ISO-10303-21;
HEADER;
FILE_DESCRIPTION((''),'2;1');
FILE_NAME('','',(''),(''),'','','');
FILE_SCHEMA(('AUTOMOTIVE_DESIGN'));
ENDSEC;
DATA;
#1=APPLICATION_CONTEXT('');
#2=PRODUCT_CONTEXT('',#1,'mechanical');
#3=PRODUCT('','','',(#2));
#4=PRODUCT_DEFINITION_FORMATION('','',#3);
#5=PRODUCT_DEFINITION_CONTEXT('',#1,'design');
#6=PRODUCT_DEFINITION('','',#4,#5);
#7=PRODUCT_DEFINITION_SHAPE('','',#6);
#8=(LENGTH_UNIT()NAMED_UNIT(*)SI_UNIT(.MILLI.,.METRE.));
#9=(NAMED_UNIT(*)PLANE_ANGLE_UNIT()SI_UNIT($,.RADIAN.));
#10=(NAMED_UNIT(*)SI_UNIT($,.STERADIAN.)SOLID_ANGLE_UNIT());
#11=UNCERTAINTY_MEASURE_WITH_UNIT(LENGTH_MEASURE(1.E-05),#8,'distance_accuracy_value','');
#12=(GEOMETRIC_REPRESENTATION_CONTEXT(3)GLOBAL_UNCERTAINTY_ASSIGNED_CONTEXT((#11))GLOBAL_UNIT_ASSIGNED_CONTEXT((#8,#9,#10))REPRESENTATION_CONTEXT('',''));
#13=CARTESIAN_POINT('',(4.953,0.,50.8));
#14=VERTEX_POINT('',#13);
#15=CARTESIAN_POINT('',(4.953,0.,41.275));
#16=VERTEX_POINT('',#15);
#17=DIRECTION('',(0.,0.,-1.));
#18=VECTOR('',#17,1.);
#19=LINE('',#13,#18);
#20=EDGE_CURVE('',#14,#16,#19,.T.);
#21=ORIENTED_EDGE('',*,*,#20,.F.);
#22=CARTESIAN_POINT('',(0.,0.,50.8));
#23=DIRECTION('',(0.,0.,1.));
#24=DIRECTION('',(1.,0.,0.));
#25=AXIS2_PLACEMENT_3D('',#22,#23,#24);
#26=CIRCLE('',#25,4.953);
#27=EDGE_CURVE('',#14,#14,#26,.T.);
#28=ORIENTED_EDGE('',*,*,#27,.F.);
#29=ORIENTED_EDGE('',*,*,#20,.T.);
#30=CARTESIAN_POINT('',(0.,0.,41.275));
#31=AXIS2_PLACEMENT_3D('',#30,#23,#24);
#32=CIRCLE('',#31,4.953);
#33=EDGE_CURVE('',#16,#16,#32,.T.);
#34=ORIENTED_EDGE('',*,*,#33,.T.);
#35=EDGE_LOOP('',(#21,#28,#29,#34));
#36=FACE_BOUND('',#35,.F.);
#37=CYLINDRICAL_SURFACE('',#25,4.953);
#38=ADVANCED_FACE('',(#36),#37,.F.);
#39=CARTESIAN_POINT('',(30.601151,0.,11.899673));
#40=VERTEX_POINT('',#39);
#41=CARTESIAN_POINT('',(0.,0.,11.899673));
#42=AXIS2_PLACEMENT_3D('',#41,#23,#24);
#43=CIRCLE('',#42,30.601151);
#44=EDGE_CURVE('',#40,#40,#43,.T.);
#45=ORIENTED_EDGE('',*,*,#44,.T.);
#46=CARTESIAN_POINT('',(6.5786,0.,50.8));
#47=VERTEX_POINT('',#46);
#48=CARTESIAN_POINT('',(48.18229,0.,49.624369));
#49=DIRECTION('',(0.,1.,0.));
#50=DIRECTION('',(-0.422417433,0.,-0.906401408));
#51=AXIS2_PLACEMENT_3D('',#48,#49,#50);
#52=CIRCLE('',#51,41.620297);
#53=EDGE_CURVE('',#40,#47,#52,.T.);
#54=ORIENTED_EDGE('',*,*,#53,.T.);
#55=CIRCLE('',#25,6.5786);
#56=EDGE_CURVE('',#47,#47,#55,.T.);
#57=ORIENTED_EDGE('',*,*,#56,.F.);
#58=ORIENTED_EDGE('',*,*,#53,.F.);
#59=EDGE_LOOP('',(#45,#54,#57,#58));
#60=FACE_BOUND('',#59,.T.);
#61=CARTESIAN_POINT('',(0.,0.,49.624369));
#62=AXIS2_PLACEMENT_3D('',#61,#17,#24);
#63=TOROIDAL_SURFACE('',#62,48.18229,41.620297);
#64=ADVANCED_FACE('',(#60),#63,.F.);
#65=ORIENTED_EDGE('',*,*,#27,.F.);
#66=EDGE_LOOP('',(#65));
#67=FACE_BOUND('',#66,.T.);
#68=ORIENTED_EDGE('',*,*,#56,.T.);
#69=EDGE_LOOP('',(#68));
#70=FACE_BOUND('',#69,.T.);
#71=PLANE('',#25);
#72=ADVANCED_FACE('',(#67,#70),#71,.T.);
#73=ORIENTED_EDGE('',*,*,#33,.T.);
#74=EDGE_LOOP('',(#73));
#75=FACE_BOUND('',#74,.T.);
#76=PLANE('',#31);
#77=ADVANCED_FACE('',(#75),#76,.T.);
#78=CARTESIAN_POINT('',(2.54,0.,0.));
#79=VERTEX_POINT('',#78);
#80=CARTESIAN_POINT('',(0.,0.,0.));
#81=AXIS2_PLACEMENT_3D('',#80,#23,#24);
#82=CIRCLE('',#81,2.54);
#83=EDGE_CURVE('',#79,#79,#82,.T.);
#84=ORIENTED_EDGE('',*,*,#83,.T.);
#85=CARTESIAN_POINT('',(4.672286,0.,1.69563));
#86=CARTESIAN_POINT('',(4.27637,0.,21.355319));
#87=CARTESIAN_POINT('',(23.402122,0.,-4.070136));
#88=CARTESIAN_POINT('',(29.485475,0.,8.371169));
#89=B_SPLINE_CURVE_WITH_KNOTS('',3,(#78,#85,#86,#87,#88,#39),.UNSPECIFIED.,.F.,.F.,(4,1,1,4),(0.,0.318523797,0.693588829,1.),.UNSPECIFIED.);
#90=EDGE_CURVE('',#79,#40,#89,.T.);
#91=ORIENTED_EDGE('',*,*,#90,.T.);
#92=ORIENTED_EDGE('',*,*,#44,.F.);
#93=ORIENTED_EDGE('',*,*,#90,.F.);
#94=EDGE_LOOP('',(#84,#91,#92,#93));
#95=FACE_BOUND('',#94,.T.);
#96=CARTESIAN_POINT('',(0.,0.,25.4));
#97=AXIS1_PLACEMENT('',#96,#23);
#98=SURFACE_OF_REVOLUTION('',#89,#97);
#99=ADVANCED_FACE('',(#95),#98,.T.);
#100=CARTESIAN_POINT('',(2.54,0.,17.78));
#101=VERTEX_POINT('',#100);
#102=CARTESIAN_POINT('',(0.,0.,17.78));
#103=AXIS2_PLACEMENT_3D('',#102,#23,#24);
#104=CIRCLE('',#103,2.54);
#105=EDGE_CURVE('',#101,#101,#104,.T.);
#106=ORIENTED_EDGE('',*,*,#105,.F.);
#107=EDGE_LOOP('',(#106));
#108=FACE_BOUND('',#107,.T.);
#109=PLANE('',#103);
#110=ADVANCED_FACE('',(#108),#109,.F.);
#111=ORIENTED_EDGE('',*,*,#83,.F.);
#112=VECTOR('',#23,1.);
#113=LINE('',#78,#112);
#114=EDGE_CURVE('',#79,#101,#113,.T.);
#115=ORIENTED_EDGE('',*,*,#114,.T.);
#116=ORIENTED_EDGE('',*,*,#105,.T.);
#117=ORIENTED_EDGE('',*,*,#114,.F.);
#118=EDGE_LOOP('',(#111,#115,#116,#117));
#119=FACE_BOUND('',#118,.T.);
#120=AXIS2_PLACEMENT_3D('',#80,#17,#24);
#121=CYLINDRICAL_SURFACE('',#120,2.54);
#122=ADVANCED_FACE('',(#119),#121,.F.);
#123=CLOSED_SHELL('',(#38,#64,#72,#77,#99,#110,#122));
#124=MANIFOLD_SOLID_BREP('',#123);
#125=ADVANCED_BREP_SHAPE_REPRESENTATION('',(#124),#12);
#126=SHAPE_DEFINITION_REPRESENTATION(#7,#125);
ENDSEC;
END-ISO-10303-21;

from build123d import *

# Parameters (mm, degrees)
F2_R     = 4.953
F3_DEPTH = 9.525
F4_DEPTH = 17.78


with BuildPart() as f1:
    # F0 (on Front) → F1 (revolve)
    with BuildSketch(Plane.XZ):
        with BuildLine():
            Line((0, 50.8), (0, 0))
            Line((0, 0), (2.54, 0))
            add(Edge.make_bspline(
                [(2.54, 0), (4.6722859433, 1.6956295225), (4.2763701134, 21.355319139), (23.4021219766, -4.0701360184), (29.4854754081, 8.3711690183), (30.601150829, 11.8996728591)],
                knots=[0, 0, 0, 0, 0.3185237965, 0.6935888291, 1, 1, 1, 1], degree=3))
            ThreePointArc((30.601150829, 11.8996728591), (12.7701470866, 27.7559149939), (6.5786, 50.8))
            Line((6.5786, 50.8), (0, 50.8))
        make_face()
    revolve(axis=Axis((0, 0, 25.4), (0, 0, 1)))

    # F2 (on face) → F3 (cut)
    with BuildSketch(Plane.XY.offset(50.8)):
        Circle(F2_R)
    extrude(amount=-F3_DEPTH, mode=Mode.SUBTRACT)

    # F4 (cut): a face of the model
    f4_faces = [f1.faces().sort_by_distance(p)[0] for p in [
        (0, 0, 0),
    ]]
    extrude(f4_faces, amount=-F4_DEPTH, mode=Mode.SUBTRACT)


solid = f1.part
